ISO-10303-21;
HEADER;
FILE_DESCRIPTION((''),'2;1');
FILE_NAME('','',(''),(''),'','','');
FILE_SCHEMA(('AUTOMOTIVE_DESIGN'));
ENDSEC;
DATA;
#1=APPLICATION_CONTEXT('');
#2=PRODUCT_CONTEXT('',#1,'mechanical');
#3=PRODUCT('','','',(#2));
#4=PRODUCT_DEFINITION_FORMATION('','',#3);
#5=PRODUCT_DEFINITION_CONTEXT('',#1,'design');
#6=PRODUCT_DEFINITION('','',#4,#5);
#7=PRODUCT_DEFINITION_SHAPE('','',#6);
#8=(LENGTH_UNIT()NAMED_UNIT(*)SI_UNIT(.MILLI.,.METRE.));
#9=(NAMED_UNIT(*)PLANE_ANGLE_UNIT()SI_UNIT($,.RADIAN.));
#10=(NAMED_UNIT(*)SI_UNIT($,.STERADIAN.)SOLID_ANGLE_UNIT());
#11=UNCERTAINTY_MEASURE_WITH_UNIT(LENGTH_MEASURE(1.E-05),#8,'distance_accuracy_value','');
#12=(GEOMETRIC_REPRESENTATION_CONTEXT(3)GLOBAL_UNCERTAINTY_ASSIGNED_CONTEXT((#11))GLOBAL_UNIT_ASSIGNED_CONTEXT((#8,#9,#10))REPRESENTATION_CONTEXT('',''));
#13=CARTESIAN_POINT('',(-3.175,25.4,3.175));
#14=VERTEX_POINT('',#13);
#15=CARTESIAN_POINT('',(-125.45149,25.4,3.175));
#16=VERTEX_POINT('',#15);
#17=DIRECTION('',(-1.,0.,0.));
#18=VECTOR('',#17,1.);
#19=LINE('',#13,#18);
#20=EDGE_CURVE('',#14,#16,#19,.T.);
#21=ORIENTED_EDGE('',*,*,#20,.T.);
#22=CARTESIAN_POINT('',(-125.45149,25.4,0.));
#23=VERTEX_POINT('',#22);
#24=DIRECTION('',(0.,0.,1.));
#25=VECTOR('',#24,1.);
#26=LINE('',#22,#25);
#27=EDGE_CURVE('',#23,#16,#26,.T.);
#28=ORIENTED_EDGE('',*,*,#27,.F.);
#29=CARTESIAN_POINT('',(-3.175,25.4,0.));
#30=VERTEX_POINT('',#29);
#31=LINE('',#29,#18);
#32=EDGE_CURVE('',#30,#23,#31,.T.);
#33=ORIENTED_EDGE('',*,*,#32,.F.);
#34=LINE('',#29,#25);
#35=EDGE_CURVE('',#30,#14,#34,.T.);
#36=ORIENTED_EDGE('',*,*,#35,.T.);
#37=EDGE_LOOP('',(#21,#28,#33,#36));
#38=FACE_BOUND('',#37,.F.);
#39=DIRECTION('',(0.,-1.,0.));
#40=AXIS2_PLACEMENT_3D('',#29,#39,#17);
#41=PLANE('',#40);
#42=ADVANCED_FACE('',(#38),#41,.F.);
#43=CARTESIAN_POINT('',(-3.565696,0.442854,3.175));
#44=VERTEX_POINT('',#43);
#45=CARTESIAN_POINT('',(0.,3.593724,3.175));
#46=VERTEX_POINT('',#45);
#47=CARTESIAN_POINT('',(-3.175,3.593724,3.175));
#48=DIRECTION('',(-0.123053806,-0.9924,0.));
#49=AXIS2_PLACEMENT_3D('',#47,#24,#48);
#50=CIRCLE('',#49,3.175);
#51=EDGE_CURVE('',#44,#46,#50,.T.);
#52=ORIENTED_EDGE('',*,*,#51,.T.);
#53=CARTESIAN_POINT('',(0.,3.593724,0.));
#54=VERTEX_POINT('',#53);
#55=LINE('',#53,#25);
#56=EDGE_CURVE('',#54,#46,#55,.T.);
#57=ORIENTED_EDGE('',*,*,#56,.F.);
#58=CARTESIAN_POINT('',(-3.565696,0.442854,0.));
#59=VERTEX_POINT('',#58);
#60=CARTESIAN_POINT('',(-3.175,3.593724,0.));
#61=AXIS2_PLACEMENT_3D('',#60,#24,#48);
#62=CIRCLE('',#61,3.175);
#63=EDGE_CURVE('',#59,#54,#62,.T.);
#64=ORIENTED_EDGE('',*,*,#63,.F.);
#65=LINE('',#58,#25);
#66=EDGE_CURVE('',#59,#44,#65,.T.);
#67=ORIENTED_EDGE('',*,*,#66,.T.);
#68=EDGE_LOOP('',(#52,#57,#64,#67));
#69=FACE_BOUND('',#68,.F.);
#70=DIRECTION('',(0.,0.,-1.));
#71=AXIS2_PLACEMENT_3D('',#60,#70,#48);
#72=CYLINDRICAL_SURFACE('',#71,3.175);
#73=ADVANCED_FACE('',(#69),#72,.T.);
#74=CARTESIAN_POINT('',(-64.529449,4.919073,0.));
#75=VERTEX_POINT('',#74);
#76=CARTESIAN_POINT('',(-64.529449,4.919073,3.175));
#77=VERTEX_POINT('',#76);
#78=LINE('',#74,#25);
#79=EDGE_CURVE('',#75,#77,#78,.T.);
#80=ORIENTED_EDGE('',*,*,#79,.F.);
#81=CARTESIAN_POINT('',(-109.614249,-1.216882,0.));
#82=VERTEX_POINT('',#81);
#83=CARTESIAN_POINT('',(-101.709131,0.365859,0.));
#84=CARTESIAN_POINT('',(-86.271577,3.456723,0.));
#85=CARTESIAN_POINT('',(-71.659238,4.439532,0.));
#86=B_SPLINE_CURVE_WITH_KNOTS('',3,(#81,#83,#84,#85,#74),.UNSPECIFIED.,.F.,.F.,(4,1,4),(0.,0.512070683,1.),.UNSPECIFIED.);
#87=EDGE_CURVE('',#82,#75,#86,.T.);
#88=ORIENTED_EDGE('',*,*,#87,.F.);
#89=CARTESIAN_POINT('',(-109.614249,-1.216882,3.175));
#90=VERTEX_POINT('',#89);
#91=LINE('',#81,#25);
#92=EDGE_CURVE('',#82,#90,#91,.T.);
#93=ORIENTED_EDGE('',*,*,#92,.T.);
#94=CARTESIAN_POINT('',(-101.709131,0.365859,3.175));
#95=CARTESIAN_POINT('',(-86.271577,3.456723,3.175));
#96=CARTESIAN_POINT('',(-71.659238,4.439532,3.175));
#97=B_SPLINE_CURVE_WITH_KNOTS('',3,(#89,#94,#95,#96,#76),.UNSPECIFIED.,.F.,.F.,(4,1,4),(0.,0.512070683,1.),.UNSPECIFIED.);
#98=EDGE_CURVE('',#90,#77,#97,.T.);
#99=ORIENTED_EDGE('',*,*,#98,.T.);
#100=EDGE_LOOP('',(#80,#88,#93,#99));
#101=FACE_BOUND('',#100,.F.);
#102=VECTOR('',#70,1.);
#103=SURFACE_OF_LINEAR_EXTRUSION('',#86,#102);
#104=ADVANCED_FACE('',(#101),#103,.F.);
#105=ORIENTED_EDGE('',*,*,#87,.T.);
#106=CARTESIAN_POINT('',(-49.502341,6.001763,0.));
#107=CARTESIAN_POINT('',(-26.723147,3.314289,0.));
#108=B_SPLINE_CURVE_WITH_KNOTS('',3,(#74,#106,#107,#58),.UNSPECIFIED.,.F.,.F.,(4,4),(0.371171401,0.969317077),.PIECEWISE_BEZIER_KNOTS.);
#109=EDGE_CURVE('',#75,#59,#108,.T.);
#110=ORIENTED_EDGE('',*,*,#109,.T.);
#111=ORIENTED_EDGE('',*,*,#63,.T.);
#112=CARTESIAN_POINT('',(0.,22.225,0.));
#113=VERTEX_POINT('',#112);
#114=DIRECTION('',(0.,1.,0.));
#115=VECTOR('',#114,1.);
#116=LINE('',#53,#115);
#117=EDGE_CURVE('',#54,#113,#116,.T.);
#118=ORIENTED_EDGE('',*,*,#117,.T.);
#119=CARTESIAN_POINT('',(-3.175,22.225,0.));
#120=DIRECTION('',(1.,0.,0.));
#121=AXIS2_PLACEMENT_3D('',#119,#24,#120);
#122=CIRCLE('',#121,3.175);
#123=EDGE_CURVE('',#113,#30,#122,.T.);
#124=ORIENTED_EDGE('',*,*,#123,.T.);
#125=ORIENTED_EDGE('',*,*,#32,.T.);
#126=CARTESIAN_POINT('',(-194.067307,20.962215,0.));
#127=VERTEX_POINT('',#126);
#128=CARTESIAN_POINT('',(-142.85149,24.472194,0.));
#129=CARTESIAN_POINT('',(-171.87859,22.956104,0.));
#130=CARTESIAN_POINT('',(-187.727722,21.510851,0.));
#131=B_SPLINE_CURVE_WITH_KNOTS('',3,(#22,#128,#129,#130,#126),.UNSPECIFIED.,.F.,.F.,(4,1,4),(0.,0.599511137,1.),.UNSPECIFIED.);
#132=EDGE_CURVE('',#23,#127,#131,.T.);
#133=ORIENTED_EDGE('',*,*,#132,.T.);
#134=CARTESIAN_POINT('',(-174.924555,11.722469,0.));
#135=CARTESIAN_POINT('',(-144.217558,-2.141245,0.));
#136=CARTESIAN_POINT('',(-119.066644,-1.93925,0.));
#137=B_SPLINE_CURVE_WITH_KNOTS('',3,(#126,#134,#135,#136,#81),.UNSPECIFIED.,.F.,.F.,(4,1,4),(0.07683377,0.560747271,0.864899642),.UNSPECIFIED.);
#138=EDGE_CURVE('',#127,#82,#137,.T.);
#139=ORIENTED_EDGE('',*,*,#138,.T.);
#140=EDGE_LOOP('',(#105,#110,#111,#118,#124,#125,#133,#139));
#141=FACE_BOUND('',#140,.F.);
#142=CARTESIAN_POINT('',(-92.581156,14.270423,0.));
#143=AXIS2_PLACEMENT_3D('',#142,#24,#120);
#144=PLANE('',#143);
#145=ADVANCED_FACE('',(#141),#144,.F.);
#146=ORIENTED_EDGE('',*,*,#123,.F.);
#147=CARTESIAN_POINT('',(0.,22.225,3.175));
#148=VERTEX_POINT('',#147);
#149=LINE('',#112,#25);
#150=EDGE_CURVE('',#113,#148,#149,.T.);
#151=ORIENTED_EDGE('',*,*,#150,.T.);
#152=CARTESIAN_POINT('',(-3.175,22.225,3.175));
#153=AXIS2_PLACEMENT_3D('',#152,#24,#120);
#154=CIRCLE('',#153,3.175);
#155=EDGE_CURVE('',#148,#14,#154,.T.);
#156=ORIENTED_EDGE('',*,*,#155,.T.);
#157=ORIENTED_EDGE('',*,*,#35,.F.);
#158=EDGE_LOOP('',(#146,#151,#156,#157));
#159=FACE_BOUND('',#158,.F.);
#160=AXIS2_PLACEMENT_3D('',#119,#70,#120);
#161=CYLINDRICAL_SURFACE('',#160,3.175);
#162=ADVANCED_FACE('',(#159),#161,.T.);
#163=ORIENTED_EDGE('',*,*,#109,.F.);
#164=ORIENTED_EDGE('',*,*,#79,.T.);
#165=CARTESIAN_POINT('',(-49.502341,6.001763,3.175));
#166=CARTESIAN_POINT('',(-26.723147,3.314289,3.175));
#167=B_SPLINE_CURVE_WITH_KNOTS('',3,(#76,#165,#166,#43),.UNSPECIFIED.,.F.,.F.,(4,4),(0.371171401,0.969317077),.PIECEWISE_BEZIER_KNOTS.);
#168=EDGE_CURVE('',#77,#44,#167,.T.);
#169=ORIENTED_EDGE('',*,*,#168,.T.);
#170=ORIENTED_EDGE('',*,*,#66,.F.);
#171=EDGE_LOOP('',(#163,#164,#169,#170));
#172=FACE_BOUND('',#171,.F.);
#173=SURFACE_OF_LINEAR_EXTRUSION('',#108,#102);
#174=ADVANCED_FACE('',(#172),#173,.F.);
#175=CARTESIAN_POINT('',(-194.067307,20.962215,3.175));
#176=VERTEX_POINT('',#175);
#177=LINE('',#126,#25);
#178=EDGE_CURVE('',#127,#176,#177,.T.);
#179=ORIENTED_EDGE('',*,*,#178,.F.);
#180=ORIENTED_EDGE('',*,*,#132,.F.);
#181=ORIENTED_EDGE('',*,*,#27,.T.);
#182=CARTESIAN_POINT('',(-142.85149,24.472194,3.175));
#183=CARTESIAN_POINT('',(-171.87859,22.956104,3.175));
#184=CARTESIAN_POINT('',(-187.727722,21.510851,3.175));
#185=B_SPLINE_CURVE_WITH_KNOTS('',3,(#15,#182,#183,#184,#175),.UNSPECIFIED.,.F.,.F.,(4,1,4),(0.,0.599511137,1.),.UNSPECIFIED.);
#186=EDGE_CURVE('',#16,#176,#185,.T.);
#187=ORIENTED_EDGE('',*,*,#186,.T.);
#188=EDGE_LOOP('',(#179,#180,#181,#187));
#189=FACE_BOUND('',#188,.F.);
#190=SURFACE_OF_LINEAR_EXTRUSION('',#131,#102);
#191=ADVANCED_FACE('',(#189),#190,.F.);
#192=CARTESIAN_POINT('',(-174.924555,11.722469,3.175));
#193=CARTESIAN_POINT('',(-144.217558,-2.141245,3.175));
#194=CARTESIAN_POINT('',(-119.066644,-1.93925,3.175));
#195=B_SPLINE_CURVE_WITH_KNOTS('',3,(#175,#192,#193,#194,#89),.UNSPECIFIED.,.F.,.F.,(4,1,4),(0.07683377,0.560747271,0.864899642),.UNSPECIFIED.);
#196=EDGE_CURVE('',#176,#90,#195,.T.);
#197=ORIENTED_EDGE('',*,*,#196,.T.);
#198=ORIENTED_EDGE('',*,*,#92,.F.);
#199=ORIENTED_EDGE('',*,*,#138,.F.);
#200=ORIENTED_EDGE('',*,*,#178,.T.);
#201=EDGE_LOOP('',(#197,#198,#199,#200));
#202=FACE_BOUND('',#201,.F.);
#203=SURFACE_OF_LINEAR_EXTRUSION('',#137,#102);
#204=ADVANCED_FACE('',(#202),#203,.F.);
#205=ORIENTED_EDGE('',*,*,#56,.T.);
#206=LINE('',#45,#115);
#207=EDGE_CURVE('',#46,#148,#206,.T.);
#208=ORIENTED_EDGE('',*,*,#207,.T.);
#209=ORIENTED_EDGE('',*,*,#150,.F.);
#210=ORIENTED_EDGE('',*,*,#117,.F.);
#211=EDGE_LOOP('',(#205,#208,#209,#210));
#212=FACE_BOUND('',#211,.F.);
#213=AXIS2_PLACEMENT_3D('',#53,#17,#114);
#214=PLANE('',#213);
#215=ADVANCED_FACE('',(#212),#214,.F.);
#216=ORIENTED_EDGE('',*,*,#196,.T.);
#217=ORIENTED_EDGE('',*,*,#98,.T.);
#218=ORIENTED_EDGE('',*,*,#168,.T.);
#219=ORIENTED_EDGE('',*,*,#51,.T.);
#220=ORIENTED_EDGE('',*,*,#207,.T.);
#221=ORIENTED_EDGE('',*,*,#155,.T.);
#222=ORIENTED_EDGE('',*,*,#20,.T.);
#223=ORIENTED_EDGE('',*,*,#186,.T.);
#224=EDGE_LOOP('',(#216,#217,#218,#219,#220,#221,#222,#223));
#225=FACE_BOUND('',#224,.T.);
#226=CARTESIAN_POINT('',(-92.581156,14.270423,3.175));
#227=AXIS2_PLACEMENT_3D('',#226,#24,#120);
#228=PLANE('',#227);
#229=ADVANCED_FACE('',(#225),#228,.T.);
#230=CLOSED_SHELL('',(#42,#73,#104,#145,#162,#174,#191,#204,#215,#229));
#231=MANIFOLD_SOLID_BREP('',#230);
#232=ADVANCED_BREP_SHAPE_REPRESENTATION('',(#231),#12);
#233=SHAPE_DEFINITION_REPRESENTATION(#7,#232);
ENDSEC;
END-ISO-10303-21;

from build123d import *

# Parameters (mm, degrees)
F2_DEPTH = 3.175


with BuildPart() as f2:
    # F1 (on face) → F2 (new body)
    with BuildSketch(Plane.XY):
        with BuildLine():
            Line((0, 3.5937239541), (0, 22.225))
            ThreePointArc((0, 22.225), (-0.9299359697, 24.4700640303), (-3.175, 25.4))
            Line((-3.175, 25.4), (-125.451490283, 25.4))
            add(Edge.make_bspline(
                [(-125.451490283, 25.4), (-142.8514900721, 24.4721937807), (-171.8785898615, 22.9561037859), (-187.7277216098, 21.5108513963), (-194.0673072403, 20.9622148363)],
                knots=[0, 0, 0, 0, 0.5995111367, 1, 1, 1, 1], degree=3))
            add(Edge.make_bspline(
                [(-194.0673072403, 20.9622148363), (-174.9245548495, 11.7224689333), (-144.2175576914, -2.1412445418), (-119.0666443103, -1.9392495317), (-109.6142492244, -1.2168823249)],
                knots=[0.0768337699, 0.0768337699, 0.0768337699, 0.0768337699, 0.5607472712, 0.8648996419, 0.8648996419, 0.8648996419, 0.8648996419], degree=3))
            add(Edge.make_bspline(
                [(-109.6142492244, -1.2168823249), (-101.7091313843, 0.3658590159), (-86.2715771578, 3.4567233621), (-71.6592375485, 4.4395318018), (-64.5294487476, 4.9190726131)],
                knots=[0, 0, 0, 0, 0.512070683, 1, 1, 1, 1], degree=3))
            add(Edge.make_bspline(
                [(-64.5294487476, 4.9190726131), (-49.5023410558, 6.0017634427), (-26.723146583, 3.3142893073), (-3.5656958334, 0.4428539527)],
                knots=[0.3711714011, 0.3711714011, 0.3711714011, 0.3711714011, 0.9693170769, 0.9693170769, 0.9693170769, 0.9693170769], degree=3))
            ThreePointArc((-3.5656958334, 0.4428539527), (-1.0726006886, 1.2145345679), (0, 3.5937239541))
        make_face()
    extrude(amount=F2_DEPTH)


solid = f2.part
